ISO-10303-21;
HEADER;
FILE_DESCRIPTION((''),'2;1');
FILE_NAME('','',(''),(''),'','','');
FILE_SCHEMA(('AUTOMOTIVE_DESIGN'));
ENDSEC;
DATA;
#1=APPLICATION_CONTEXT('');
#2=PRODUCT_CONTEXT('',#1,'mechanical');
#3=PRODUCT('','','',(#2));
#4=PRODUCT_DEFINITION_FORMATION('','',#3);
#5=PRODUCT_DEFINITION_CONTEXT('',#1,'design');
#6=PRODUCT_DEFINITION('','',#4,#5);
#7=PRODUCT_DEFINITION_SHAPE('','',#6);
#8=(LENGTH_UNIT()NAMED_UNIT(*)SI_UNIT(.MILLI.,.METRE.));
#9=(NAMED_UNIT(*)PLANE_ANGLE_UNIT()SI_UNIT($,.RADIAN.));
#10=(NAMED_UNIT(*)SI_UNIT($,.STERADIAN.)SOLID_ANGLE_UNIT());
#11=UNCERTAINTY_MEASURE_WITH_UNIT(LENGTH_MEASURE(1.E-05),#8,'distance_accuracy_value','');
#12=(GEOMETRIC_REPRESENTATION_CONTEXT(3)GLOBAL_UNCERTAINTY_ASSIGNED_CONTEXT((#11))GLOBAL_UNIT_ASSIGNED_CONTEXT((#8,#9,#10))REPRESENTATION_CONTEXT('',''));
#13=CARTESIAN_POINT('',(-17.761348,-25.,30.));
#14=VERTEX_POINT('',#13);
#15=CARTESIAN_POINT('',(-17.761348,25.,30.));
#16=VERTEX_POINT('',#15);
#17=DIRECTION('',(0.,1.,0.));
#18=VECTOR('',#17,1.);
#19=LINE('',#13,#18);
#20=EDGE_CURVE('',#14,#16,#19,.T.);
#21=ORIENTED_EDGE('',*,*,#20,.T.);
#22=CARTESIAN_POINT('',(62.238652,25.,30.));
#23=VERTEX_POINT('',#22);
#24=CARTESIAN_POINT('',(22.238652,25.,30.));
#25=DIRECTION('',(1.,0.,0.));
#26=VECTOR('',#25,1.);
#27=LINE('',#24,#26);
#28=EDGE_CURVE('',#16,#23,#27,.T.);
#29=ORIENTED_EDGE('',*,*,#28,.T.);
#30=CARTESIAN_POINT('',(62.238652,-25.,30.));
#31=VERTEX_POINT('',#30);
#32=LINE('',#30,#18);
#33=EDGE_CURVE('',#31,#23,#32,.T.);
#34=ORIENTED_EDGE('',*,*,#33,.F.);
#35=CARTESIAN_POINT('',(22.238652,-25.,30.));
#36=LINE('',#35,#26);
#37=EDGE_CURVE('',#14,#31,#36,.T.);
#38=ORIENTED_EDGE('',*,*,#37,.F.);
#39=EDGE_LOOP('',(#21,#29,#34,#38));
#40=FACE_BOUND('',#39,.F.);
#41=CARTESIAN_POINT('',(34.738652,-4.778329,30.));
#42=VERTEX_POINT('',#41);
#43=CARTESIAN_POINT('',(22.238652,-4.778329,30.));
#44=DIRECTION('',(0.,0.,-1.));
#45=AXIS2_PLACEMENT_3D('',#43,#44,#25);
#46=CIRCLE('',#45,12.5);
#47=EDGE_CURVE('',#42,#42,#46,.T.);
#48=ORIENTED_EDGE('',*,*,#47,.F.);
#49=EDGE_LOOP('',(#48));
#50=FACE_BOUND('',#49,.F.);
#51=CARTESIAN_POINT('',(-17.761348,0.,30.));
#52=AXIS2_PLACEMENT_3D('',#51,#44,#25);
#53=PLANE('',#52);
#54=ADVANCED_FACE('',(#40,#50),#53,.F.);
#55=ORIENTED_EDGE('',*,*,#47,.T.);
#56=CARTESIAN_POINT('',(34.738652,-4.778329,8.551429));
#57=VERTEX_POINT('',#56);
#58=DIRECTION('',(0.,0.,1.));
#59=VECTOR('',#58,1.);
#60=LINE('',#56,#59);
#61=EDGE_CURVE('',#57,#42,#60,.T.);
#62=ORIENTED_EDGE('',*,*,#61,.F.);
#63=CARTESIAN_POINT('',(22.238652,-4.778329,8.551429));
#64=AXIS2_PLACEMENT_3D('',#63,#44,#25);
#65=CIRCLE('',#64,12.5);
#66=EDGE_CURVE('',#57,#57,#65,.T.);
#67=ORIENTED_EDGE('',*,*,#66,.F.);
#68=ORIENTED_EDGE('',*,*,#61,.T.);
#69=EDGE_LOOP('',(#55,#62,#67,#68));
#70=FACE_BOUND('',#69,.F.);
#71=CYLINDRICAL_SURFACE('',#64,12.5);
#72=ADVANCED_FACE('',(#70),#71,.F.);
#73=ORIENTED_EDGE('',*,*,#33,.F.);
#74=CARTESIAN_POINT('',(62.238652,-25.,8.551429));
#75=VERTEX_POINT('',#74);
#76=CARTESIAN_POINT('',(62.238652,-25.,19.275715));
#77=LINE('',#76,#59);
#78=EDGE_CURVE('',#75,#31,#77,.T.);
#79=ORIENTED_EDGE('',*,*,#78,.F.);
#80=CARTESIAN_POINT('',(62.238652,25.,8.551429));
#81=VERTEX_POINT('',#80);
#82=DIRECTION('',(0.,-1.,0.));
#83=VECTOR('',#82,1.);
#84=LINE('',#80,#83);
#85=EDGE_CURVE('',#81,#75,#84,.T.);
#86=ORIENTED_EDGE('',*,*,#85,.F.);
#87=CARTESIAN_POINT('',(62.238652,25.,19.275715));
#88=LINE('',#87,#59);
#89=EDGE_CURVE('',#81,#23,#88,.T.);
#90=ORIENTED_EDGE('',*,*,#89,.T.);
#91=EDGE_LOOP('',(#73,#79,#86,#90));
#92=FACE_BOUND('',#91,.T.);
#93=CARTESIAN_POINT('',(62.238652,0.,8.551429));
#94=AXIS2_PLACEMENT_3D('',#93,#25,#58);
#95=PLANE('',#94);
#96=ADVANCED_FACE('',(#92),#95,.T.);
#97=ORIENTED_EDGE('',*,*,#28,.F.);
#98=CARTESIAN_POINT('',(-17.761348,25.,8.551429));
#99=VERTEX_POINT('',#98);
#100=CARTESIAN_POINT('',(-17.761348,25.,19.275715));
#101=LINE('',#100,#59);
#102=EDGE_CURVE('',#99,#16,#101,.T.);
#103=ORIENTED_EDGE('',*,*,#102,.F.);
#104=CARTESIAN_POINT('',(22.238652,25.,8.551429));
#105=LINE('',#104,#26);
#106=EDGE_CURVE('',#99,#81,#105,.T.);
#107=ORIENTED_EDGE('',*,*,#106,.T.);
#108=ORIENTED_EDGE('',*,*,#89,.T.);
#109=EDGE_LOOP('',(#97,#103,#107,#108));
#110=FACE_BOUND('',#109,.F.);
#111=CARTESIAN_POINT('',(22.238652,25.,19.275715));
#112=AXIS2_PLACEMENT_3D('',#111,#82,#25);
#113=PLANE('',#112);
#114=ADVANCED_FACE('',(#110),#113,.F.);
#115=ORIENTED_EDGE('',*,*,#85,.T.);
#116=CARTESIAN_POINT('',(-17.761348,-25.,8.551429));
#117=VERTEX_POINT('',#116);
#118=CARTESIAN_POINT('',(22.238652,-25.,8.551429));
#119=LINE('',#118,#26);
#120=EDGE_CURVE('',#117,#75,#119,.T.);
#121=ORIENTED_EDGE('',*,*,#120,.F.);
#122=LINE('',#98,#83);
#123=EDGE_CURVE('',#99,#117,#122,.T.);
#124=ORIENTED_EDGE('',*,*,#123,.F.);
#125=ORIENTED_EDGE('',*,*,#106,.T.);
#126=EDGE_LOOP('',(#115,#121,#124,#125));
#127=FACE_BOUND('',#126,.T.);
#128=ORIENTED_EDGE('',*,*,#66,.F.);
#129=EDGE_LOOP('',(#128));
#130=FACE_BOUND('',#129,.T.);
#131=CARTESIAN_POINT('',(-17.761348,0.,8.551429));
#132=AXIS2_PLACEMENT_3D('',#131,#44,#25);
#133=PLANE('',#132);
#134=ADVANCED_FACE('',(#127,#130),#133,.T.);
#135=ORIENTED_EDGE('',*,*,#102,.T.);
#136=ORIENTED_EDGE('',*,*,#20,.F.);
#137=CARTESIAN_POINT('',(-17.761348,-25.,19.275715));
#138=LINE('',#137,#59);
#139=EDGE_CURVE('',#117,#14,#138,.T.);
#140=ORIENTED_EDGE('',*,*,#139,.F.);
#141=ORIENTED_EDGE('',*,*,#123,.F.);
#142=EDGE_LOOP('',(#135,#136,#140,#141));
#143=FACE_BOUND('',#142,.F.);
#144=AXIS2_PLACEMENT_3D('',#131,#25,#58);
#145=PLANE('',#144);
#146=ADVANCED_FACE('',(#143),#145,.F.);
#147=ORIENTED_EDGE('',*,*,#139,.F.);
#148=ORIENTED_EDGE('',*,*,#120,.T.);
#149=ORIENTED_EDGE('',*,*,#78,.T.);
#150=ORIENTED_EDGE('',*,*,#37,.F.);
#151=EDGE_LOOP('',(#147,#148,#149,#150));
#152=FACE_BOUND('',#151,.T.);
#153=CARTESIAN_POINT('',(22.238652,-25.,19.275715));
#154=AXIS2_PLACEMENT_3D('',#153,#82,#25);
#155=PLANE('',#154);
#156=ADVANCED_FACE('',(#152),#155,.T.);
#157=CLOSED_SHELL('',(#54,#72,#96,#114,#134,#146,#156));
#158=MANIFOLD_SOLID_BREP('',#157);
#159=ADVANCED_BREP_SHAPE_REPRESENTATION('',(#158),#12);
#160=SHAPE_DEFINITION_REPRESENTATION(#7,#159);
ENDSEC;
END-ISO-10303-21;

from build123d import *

# Parameters (mm, degrees)
F0_W     = 80
F0_H     = 21.4485707776
F1_DEPTH = 25
F2_R     = 12.5
F3_DEPTH = 21.4485707776


with BuildPart() as f1:
    # F0 (on Front) → F1 (new body, symmetric)
    with BuildSketch(Plane.XZ):
        with Locations((22.2386517376, 19.2757146112)):
            Rectangle(F0_W, F0_H)
    extrude(amount=F1_DEPTH, both=True)

    # F2 (on face) → F3 (cut, through all)
    with BuildSketch(Plane(origin=(0, 0, 8.5514292224), x_dir=(1, 0, 0), z_dir=(0, 0, -1))):
        with Locations((22.2386517376, 4.778329283)):
            Circle(F2_R)
    extrude(amount=-F3_DEPTH, mode=Mode.SUBTRACT)


solid = f1.part
